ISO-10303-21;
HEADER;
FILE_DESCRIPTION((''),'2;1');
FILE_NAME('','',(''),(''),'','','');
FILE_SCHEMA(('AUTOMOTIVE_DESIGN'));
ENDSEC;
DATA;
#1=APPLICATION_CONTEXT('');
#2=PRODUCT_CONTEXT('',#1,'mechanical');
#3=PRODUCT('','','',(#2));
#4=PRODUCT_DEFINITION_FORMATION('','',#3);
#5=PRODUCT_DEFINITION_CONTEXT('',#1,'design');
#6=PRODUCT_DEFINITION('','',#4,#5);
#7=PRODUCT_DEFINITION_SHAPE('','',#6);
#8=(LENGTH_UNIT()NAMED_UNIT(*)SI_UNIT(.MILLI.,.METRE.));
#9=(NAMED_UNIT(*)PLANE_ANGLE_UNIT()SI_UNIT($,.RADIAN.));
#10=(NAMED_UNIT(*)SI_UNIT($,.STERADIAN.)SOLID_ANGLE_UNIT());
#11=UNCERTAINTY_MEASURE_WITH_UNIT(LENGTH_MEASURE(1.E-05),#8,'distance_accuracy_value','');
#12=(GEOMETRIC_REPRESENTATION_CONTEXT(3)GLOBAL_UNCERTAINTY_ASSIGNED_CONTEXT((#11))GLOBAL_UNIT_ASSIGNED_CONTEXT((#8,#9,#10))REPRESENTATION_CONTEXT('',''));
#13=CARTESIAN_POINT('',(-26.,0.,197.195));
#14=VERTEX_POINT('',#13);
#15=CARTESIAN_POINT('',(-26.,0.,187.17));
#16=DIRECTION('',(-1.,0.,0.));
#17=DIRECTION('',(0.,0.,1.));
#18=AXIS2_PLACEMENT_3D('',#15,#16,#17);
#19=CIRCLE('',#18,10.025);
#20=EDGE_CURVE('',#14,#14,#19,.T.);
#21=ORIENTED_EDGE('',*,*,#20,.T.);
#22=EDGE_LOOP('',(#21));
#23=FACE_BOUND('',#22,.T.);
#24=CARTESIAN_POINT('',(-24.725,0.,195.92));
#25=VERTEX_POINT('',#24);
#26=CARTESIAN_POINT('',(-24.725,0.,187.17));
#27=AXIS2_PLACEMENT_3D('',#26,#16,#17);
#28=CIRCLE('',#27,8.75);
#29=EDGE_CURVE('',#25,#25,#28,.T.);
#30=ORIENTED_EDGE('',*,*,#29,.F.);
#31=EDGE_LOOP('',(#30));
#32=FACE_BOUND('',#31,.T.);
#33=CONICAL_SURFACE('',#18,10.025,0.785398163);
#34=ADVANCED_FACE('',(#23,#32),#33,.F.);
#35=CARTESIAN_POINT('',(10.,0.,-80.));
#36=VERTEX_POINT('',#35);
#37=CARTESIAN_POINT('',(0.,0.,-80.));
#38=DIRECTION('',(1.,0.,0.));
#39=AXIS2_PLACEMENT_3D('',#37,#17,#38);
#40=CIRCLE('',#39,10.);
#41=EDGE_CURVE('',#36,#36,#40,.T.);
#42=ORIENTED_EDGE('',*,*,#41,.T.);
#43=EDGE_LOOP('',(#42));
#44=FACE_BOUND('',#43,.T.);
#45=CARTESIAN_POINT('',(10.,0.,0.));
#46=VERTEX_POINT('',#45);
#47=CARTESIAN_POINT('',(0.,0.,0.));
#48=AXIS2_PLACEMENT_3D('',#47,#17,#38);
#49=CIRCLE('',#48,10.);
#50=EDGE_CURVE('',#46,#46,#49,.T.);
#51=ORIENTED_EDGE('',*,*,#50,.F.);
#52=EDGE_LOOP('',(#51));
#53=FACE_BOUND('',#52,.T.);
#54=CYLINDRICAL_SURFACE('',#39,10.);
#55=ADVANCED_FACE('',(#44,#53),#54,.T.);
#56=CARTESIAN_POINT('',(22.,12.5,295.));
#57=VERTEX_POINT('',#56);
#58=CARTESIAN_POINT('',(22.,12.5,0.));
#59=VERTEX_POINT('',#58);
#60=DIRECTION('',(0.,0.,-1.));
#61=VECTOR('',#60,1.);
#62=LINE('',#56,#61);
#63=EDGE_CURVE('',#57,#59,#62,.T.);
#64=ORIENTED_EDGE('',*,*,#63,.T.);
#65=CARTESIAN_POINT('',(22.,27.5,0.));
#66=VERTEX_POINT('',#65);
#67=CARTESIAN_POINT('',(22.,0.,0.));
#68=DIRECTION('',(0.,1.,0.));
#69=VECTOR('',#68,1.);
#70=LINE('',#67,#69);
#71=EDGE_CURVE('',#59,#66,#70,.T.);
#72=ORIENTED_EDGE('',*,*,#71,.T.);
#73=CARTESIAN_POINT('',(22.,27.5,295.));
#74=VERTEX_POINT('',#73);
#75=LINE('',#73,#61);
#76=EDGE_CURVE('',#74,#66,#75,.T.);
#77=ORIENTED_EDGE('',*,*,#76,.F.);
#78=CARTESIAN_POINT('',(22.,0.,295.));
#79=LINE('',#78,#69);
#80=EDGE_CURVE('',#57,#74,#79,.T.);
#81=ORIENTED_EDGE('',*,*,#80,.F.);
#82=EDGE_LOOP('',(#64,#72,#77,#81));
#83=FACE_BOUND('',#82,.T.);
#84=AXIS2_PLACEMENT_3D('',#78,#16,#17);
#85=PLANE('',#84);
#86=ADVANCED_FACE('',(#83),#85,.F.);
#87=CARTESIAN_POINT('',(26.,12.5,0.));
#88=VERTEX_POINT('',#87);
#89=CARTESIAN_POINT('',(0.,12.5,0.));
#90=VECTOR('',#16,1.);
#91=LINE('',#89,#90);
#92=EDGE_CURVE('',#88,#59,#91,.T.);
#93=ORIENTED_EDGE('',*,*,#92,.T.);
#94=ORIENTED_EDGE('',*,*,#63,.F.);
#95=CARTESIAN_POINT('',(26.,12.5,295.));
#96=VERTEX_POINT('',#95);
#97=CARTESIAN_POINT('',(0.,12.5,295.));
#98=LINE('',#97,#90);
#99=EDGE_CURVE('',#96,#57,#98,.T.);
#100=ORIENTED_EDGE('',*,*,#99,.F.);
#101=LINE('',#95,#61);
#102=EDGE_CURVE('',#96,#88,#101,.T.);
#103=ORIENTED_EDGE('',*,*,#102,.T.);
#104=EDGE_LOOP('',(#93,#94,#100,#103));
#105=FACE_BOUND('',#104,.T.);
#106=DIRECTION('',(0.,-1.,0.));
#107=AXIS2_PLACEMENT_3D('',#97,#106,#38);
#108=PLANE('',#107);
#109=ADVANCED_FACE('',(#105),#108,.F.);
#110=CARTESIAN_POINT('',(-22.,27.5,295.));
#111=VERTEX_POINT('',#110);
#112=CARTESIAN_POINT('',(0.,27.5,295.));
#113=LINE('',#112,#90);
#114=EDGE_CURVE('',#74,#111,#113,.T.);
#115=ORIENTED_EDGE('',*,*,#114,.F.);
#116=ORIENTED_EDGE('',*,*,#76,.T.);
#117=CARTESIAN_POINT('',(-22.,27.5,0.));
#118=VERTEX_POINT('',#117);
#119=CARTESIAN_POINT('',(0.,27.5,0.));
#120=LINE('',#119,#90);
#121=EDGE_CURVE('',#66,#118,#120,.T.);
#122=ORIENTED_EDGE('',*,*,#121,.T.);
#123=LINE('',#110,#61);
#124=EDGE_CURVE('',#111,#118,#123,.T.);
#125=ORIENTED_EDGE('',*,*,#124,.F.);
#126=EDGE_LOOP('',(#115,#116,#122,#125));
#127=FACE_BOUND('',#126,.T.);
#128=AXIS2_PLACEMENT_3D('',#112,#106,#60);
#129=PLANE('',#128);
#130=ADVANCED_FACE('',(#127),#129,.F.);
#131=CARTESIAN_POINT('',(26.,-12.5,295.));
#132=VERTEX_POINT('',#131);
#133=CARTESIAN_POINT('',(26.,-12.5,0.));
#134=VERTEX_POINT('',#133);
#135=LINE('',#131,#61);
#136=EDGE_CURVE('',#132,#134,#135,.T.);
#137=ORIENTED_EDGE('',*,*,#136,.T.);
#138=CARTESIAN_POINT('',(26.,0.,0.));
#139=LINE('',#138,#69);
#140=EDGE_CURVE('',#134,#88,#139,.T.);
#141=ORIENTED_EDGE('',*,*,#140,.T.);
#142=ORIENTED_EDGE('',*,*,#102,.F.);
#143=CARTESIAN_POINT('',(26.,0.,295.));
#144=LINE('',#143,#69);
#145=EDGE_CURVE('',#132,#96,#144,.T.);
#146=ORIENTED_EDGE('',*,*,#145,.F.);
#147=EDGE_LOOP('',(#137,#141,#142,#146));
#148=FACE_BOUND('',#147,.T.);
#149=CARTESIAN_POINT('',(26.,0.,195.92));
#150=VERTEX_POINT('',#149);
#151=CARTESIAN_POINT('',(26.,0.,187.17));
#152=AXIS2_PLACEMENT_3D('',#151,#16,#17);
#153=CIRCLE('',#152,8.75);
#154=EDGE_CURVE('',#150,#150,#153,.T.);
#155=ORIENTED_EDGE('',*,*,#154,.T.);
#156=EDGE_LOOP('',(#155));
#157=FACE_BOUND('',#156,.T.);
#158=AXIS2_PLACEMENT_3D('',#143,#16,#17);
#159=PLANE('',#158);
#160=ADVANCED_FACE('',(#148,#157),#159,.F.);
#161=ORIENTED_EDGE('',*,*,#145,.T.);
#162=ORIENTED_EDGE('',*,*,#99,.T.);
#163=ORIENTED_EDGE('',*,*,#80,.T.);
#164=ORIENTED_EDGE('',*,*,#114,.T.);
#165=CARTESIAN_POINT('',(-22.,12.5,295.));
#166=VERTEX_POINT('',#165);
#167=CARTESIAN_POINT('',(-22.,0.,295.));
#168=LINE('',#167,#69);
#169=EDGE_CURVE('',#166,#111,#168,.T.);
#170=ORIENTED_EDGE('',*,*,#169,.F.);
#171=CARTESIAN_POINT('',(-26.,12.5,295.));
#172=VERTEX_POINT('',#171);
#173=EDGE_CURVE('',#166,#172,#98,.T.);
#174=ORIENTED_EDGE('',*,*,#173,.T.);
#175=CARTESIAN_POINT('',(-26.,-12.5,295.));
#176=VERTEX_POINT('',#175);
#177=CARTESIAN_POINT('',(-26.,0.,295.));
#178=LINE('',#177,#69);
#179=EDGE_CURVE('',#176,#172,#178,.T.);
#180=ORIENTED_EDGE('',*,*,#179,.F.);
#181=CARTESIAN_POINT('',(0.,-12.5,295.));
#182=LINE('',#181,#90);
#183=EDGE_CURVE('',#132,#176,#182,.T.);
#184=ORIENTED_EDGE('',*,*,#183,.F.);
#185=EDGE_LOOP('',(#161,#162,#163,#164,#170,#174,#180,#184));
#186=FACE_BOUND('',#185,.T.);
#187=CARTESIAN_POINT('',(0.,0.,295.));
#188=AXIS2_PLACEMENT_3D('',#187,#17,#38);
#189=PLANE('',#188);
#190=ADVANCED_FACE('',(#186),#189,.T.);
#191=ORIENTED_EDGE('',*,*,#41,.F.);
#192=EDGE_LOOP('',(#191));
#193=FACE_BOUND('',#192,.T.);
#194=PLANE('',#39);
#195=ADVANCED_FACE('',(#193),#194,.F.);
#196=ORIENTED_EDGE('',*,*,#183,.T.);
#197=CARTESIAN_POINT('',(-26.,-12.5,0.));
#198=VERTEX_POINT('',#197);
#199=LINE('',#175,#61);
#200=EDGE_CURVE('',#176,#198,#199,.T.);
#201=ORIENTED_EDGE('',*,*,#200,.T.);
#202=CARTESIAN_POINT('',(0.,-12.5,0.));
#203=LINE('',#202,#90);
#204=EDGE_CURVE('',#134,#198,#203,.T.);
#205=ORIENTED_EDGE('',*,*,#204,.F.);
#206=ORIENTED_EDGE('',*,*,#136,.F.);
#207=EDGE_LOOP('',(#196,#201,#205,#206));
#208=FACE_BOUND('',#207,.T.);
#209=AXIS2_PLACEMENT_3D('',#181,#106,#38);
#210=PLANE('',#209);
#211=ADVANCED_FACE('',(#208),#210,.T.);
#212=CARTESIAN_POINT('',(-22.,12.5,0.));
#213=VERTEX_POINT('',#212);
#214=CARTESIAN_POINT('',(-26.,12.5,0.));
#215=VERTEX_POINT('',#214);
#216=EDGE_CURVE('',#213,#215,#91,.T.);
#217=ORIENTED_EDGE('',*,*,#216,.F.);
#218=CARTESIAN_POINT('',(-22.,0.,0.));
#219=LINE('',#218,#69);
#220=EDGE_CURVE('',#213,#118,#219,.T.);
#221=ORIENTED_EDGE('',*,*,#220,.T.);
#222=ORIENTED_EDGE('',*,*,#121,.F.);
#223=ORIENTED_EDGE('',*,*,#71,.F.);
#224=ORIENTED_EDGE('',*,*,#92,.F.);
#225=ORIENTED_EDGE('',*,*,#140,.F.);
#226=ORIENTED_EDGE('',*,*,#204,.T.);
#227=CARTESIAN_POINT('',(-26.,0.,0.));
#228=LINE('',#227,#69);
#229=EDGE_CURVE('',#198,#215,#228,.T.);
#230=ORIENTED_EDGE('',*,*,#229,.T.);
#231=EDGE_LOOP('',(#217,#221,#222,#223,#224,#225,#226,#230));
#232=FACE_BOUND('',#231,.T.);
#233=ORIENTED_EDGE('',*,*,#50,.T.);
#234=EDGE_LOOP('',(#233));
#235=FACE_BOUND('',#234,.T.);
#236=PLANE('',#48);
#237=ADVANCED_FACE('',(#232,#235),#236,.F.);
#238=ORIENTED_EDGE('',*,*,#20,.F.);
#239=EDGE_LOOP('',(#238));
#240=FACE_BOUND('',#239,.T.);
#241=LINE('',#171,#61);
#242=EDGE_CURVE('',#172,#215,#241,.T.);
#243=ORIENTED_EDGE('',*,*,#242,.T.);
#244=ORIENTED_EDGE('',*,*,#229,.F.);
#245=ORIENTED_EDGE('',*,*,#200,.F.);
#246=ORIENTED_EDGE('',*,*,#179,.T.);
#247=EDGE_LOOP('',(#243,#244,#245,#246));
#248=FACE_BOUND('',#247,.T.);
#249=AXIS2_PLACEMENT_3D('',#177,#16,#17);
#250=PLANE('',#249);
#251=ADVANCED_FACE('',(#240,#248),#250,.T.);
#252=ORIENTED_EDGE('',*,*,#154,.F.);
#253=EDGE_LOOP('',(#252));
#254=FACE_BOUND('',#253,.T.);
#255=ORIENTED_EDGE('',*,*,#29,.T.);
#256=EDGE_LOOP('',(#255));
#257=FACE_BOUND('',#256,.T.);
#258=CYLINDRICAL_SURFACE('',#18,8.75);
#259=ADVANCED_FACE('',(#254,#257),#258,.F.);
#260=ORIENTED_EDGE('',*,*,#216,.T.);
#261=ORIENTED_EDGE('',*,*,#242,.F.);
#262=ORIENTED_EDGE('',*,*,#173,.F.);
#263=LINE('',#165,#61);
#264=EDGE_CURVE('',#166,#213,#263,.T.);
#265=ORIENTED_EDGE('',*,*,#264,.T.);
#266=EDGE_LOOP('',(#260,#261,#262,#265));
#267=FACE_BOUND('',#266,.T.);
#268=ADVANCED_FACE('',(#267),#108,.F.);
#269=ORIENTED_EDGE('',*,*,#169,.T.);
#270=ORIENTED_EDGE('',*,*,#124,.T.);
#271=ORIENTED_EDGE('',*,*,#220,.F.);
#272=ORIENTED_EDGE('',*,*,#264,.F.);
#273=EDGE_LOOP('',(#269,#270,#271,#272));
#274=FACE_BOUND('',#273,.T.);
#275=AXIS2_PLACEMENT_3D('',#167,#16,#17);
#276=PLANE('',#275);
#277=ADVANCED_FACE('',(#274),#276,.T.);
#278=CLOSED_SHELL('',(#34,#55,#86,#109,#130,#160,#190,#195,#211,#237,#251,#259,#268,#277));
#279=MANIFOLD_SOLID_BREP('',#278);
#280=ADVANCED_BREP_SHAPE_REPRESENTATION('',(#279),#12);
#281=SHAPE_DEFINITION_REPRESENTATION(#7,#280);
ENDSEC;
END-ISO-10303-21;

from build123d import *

# Parameters (mm, degrees)
BOSS_EXTRUDE1_DEPTH          = 295
SKETCH3_R                    = 10
BOSS_EXTRUDE3_DEPTH          = 80
M20_TAPPED_HOLE1_D           = 17.5
M20_TAPPED_HOLE1_CSINK_D     = 20.05
M20_TAPPED_HOLE1_CSINK_ANGLE = 90


with BuildPart() as part:
    # Sketch1 → Boss-Extrude1 (new body)
    with BuildSketch(Plane.XY):
        Polygon((-26, -12.5), (26, -12.5), (26, 12.5), (22, 12.5), (22, 27.5), (-22, 27.5), (-22, 12.5), (-26, 12.5), align=None)
    extrude(amount=BOSS_EXTRUDE1_DEPTH)

    # Sketch3 → Boss-Extrude3 (add)
    with BuildSketch(Plane.XY):
        Circle(SKETCH3_R)
    extrude(amount=-BOSS_EXTRUDE3_DEPTH)

    # M20 Tapped Hole1 (through all)
    with Locations(Plane.ZY.offset(26)):
        with Locations((187.17, 0)):
            CounterSinkHole(M20_TAPPED_HOLE1_D / 2, M20_TAPPED_HOLE1_CSINK_D / 2, counter_sink_angle=M20_TAPPED_HOLE1_CSINK_ANGLE)


solid = part.part
